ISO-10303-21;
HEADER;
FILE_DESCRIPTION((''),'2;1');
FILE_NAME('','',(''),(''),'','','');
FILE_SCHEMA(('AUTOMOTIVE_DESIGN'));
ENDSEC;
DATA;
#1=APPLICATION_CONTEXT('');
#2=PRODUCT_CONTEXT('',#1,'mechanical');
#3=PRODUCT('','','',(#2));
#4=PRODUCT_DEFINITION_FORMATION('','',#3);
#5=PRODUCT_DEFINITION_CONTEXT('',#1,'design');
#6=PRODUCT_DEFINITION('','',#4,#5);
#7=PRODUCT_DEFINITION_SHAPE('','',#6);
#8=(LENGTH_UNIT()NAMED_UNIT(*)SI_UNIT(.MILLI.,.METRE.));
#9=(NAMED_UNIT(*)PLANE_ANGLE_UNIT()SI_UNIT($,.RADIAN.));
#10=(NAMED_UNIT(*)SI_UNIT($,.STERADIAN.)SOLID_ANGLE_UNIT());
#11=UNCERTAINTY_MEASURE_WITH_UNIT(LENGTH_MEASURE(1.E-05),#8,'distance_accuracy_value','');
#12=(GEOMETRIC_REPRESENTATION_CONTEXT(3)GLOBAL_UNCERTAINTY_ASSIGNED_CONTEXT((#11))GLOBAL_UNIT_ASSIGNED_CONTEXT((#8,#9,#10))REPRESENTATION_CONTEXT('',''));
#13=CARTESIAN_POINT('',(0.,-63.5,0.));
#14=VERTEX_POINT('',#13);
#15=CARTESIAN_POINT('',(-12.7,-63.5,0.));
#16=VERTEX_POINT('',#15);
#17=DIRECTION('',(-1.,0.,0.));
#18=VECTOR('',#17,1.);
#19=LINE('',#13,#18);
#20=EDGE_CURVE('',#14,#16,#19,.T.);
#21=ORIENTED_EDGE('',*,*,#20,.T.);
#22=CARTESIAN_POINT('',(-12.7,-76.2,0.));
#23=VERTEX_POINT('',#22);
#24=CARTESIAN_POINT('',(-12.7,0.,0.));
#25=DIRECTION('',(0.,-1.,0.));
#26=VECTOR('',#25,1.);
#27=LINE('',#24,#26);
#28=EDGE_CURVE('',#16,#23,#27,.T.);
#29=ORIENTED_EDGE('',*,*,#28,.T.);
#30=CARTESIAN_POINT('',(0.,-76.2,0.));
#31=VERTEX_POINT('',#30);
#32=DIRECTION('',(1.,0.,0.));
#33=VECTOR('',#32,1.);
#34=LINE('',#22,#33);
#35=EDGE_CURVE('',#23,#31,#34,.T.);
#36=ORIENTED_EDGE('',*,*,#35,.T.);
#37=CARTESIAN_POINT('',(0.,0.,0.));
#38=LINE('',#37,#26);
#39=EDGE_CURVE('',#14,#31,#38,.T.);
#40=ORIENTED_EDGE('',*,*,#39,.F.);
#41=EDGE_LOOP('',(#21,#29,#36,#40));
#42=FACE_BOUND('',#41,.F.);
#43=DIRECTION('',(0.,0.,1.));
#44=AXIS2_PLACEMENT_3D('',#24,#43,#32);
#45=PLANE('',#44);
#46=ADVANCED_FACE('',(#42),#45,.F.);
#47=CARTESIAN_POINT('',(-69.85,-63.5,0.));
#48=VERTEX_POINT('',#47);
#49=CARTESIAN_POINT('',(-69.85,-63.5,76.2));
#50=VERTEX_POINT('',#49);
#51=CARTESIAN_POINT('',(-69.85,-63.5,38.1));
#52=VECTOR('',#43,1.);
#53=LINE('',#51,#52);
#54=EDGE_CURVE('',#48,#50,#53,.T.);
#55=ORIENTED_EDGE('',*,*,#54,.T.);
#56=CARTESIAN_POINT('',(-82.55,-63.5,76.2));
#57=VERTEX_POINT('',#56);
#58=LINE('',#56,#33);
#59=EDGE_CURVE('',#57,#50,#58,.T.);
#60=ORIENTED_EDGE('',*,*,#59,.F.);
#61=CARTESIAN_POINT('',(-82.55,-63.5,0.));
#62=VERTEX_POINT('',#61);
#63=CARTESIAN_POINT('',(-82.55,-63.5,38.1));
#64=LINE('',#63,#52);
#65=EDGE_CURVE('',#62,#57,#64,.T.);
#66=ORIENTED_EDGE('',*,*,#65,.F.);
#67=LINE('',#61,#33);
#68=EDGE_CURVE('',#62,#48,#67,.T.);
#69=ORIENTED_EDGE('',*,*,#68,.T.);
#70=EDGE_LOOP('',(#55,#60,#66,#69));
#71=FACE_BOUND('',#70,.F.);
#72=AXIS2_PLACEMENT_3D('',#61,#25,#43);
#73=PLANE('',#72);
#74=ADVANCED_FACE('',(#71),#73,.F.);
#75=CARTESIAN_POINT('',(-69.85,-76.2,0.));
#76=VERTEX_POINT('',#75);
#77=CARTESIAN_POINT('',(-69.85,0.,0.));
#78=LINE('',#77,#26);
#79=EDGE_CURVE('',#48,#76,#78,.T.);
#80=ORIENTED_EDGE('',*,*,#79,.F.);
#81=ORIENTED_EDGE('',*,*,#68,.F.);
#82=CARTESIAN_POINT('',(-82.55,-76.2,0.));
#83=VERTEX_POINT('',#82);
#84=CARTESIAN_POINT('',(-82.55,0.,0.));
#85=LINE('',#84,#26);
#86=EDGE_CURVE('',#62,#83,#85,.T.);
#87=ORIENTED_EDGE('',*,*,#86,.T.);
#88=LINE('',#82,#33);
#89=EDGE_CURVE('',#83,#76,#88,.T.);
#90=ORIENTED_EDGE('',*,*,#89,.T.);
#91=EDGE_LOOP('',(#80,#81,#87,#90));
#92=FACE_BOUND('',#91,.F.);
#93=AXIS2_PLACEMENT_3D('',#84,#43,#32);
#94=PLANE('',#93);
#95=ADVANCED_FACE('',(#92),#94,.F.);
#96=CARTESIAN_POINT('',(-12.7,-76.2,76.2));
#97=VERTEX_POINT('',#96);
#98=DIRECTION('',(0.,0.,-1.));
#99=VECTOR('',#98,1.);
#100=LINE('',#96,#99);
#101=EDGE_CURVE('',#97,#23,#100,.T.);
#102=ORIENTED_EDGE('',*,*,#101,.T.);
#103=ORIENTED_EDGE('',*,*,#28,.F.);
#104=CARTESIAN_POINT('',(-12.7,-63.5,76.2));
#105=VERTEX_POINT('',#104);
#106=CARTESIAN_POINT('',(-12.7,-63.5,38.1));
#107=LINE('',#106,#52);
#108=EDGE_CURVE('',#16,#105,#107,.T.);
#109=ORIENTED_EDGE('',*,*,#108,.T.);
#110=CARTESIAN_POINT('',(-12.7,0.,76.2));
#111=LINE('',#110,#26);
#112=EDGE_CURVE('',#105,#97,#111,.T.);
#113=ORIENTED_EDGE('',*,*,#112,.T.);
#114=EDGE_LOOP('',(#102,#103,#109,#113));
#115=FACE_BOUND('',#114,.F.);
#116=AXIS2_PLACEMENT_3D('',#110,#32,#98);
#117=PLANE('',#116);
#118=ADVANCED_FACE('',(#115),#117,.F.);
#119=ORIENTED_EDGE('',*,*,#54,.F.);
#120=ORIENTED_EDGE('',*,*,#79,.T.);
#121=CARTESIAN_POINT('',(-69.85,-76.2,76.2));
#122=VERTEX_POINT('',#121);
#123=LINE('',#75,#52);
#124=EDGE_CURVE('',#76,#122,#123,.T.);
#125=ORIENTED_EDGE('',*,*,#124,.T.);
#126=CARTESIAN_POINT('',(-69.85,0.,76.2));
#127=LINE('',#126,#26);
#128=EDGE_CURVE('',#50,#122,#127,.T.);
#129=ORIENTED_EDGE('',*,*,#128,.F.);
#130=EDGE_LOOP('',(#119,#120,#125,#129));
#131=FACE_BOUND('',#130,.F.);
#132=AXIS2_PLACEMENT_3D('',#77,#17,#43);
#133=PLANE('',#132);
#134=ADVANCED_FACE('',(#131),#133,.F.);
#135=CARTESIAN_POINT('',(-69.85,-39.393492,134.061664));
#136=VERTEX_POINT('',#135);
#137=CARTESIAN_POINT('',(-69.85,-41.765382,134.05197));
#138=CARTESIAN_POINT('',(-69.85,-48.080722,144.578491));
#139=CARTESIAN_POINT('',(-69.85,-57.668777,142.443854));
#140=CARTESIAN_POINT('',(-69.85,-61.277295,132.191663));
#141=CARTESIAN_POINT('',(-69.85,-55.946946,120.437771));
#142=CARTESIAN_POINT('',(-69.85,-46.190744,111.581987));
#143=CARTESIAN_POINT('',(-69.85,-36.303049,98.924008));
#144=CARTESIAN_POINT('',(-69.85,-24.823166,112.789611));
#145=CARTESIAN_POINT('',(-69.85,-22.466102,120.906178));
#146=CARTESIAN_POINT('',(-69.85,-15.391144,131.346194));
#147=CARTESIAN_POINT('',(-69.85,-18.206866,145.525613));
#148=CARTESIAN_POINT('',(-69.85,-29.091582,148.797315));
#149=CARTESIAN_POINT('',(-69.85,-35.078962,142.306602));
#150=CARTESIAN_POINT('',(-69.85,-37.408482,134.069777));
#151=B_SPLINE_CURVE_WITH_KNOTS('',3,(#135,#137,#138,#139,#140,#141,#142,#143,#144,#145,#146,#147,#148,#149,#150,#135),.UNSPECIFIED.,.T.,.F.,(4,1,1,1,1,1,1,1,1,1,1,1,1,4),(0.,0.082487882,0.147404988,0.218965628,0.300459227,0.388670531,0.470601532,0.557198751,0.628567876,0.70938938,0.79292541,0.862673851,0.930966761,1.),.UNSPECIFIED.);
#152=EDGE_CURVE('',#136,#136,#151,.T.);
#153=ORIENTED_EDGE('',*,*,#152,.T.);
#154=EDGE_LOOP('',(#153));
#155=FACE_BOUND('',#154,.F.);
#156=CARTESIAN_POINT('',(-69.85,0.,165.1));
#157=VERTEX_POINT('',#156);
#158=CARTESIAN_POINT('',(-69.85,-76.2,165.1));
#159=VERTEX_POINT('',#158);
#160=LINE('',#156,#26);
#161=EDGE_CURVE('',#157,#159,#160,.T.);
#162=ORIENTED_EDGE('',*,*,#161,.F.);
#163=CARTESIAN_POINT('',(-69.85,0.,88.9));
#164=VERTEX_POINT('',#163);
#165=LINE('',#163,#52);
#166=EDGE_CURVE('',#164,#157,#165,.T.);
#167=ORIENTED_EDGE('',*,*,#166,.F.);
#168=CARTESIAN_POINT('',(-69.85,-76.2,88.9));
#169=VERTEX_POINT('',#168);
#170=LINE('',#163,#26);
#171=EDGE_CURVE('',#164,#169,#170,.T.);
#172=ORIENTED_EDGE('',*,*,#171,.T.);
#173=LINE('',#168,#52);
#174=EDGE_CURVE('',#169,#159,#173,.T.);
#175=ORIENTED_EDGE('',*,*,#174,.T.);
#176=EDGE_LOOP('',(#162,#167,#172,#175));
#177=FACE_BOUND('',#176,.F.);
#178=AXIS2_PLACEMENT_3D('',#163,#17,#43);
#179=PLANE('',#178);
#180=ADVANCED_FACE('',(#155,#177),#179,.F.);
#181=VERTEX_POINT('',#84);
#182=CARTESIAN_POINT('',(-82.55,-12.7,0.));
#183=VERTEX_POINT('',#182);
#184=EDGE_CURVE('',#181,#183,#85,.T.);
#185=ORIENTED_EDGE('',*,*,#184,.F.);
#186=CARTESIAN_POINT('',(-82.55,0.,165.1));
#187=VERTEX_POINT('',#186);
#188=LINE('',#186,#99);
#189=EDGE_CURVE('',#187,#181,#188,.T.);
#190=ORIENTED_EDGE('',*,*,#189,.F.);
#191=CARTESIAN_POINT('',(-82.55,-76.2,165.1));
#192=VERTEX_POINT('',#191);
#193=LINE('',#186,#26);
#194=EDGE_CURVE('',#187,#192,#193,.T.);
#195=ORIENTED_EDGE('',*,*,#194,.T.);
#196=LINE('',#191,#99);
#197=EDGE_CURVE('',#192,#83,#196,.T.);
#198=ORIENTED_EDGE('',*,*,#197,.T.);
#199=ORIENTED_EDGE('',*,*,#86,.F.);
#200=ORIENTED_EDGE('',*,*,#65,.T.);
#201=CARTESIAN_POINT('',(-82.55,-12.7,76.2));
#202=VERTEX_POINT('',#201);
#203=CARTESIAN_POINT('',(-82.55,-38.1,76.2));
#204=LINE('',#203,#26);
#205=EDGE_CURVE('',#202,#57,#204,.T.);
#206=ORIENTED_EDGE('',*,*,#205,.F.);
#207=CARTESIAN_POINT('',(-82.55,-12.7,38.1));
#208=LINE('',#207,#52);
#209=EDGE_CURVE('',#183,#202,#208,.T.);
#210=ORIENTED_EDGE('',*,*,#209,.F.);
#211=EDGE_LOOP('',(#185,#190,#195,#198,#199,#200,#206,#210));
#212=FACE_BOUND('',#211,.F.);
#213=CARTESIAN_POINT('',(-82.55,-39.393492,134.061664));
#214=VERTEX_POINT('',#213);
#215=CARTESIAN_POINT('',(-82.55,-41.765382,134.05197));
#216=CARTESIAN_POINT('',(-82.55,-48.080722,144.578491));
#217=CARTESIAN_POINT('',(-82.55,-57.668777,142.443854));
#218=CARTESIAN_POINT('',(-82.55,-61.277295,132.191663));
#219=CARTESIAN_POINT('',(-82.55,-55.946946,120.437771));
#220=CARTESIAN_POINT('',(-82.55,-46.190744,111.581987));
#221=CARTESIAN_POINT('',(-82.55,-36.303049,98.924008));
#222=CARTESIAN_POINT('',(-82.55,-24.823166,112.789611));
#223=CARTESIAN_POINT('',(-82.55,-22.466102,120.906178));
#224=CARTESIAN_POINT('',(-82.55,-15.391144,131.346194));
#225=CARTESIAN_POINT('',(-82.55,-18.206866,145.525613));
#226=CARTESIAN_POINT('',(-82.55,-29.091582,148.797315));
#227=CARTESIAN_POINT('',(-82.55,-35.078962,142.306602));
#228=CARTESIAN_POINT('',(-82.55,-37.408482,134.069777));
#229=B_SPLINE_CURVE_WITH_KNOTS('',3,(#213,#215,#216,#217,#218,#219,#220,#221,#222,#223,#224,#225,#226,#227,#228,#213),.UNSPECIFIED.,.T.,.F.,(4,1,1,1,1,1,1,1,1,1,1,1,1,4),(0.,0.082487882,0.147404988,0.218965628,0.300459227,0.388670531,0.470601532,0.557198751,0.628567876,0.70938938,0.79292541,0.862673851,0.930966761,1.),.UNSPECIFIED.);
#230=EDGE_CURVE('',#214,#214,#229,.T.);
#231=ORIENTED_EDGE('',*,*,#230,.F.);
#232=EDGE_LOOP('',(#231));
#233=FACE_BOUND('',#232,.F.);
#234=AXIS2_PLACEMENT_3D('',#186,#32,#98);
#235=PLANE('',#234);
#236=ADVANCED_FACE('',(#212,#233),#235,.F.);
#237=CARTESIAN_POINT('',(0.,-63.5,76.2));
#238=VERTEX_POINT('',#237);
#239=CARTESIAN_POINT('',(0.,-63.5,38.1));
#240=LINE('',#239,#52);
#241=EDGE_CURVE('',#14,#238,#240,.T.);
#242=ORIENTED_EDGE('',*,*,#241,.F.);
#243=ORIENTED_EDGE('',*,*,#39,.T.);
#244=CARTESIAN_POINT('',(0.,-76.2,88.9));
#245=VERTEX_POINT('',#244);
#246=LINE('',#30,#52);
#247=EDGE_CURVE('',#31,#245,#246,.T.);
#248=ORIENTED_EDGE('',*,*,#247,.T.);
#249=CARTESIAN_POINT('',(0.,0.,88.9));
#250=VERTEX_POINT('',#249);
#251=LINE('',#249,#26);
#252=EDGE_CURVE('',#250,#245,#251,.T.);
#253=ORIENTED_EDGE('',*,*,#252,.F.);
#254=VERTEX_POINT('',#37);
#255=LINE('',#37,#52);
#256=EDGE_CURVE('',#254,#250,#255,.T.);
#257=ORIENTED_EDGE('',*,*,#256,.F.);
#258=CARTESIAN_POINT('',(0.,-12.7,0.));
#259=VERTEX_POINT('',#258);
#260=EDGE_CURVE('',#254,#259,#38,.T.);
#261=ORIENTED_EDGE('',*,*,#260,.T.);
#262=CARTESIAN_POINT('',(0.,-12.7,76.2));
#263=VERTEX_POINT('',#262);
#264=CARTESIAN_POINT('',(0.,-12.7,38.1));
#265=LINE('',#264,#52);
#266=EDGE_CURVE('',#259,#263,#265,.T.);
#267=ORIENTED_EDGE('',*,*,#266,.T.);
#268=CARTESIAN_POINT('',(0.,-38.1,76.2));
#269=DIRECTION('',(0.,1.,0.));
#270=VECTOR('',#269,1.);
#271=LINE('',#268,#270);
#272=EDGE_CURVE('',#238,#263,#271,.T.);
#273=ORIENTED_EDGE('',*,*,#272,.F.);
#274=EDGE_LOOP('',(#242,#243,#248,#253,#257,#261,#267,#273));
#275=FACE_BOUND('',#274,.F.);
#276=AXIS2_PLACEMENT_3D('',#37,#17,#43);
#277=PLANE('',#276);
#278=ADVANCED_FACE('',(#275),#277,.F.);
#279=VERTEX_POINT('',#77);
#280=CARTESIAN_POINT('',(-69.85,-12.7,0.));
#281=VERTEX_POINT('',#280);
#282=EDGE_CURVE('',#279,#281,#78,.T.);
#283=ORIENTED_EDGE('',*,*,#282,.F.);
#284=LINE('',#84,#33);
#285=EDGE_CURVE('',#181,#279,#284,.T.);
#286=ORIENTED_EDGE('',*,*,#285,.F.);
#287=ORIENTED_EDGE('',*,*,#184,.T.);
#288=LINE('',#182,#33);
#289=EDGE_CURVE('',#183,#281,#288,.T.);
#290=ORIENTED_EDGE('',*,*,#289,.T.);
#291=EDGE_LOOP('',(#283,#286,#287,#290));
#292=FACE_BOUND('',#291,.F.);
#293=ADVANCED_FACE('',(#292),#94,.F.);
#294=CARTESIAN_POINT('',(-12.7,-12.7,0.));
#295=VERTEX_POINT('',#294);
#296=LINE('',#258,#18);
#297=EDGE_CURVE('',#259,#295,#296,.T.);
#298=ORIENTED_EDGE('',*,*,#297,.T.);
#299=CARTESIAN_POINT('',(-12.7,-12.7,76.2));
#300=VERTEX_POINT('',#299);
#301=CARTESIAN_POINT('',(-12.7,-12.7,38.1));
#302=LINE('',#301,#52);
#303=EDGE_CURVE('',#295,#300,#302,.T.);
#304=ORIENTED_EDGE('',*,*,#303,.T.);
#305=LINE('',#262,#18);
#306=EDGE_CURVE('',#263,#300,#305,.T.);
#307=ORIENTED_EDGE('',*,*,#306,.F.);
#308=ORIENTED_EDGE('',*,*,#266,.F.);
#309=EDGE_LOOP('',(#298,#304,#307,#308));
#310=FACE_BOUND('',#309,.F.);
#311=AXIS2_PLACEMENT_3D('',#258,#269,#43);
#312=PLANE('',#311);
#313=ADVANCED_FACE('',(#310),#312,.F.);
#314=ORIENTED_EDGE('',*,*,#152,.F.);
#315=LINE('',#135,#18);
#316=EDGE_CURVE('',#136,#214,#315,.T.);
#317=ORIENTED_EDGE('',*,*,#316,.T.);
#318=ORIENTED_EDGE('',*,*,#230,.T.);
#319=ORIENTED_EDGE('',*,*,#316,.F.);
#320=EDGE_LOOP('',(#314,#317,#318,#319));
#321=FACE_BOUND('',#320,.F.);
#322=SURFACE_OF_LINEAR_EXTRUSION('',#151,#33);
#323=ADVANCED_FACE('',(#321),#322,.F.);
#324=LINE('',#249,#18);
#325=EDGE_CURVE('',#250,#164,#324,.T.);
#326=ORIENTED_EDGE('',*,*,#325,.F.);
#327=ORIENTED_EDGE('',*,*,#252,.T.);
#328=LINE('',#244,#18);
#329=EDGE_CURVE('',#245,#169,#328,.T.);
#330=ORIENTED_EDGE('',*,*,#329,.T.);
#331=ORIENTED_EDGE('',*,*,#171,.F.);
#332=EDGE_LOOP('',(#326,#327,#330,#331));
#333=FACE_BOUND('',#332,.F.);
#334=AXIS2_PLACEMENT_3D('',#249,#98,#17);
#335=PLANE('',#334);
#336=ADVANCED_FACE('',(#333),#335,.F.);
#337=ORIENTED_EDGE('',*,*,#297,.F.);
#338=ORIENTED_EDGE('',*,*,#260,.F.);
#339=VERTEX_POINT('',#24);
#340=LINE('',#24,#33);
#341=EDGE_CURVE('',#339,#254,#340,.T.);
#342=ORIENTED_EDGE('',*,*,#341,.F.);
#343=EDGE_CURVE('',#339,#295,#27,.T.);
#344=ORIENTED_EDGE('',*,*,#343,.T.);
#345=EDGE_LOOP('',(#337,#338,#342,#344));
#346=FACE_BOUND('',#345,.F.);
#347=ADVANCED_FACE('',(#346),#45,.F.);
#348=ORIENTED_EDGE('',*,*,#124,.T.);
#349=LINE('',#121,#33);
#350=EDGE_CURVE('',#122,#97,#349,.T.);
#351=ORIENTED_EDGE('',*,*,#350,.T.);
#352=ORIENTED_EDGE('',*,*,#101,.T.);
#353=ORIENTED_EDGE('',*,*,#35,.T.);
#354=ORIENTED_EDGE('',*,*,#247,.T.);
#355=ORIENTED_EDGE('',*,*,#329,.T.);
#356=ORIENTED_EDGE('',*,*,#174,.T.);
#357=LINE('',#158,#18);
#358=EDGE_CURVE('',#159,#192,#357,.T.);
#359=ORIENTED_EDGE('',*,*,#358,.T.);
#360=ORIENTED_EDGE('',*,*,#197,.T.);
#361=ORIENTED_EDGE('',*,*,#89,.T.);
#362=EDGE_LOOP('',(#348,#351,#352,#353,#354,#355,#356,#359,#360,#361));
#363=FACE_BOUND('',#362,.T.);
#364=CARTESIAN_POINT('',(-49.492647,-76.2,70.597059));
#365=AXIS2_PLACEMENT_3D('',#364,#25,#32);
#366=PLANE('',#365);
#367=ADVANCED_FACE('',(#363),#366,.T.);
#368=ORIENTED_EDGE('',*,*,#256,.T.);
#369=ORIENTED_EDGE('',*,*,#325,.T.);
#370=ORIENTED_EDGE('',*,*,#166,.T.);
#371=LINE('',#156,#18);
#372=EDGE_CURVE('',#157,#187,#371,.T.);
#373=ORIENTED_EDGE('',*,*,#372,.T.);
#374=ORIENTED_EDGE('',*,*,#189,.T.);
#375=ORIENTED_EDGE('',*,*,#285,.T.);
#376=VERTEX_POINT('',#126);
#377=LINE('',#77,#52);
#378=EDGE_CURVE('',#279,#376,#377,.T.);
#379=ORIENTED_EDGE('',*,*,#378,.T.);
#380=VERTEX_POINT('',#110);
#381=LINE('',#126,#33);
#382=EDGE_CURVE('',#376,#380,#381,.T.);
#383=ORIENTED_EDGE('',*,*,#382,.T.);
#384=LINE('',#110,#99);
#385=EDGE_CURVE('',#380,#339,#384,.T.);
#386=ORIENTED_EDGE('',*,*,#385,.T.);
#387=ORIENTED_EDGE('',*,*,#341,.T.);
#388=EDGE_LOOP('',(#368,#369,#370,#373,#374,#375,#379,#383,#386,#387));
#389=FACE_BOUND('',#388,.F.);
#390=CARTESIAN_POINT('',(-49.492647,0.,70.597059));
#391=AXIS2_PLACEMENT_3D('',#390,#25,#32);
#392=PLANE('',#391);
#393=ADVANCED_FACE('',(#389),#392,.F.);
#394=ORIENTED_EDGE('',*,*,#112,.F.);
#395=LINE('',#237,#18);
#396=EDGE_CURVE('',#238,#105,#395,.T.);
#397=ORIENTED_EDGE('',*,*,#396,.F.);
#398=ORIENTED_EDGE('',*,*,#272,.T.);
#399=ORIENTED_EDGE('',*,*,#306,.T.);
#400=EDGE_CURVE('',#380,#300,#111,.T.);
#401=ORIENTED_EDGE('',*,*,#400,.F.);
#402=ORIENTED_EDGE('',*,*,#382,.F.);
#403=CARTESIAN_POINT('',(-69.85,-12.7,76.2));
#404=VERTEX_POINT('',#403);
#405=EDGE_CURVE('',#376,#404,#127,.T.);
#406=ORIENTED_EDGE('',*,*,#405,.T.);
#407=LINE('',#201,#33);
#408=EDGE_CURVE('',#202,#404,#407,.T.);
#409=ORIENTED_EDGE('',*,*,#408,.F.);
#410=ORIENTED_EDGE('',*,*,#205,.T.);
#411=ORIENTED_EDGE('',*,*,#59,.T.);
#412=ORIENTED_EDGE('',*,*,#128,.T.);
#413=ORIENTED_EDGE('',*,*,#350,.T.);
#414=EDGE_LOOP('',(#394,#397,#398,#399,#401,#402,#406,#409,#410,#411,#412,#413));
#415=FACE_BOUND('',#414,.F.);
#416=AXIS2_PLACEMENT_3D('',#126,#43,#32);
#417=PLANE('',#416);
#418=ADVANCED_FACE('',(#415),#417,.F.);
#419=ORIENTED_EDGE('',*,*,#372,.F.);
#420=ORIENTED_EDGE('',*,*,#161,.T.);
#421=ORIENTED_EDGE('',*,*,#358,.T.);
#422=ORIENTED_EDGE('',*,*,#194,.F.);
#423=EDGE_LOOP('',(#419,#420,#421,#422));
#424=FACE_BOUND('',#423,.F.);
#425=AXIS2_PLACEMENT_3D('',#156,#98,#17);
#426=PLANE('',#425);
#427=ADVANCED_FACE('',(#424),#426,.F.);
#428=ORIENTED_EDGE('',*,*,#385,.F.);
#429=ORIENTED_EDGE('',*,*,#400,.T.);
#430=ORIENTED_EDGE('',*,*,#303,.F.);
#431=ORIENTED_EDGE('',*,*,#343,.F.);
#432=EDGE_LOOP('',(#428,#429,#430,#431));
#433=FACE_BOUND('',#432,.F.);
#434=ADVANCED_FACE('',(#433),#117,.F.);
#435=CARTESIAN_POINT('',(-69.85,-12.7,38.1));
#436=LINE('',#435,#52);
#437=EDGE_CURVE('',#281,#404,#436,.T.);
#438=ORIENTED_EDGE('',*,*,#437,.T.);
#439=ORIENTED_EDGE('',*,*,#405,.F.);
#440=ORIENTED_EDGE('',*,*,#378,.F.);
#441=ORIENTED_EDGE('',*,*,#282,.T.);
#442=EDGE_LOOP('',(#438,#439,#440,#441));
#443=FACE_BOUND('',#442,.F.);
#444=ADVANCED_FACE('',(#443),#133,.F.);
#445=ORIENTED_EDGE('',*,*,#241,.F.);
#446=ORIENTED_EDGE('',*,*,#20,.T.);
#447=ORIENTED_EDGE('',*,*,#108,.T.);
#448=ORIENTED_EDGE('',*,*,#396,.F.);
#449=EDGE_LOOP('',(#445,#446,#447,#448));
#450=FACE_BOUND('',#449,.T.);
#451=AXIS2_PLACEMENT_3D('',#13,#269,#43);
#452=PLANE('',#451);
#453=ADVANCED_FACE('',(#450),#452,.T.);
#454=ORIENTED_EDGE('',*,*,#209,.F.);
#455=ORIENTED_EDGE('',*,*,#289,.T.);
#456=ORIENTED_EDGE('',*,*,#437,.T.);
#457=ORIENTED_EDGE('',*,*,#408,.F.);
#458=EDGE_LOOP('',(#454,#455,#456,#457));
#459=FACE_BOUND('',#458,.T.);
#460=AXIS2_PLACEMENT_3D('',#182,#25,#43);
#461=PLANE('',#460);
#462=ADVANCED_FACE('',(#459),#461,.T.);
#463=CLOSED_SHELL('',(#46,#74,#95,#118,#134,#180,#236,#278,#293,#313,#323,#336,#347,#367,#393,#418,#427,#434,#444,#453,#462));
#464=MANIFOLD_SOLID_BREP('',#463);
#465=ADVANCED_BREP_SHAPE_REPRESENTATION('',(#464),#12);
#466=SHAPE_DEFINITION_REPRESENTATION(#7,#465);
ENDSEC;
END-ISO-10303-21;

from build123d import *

# Parameters (mm, degrees)
F1_DEPTH = 76.2
F3_DEPTH = 12.7
F4_W     = 50.8
F4_H     = 76.2
F5_DEPTH = 12.7
F6_W     = 50.8
F6_H     = 76.2
F7_DEPTH = 12.7


with BuildPart() as f1:
    # F0 (on Front) → F1 (new body)
    with BuildSketch(Plane.XZ):
        Polygon((-12.7, 0), (0, 0), (0, 88.9), (-69.85, 88.9), (-69.85, 165.1), (-82.55, 165.1), (-82.55, 0), (-69.85, 0), (-69.85, 76.2), (-12.7, 76.2), align=None)
    extrude(amount=F1_DEPTH)

    # F2 (on face) → F3 (cut)
    with BuildSketch(Plane.YZ.offset(-69.85)):
        with BuildLine():
            add(Edge.make_bspline(
                [(-39.393492043, 134.0616643429), (-41.7653817973, 134.0519704591), (-48.0807223106, 144.5784906297), (-57.6687769822, 142.4438535389), (-61.2772946483, 132.1916628552), (-55.946945606, 120.4377708591), (-46.1907438844, 111.5819871786), (-36.3030491034, 98.9240075783), (-24.8231657039, 112.7896108933), (-22.4661020374, 120.9061781194), (-15.391144399, 131.3461939587), (-18.2068658762, 145.5256129763), (-29.0915819632, 148.7973145161), (-35.0789621304, 142.3066021107), (-37.4084824999, 134.069777052), (-39.393492043, 134.0616643429)],
                knots=[0, 0, 0, 0, 0.0824878816, 0.1474049882, 0.218965628, 0.3004592274, 0.388670531, 0.470601532, 0.5571987511, 0.6285678759, 0.70938938, 0.7929254096, 0.8626738507, 0.9309667611, 1, 1, 1, 1], degree=3))
        make_face()
    extrude(amount=-F3_DEPTH, mode=Mode.SUBTRACT)

    # F4 (on face) → F5 (cut)
    with BuildSketch(Plane.YZ):
        with Locations((-38.1, 38.1)):
            Rectangle(F4_W, F4_H)
    extrude(amount=-F5_DEPTH, mode=Mode.SUBTRACT)

    # F6 (on face) → F7 (cut)
    with BuildSketch(Plane(origin=(-82.55, 0, 0), x_dir=(0, -1, 0), z_dir=(-1, 0, 0))):
        with Locations((38.1, 38.1)):
            Rectangle(F6_W, F6_H)
    extrude(amount=-F7_DEPTH, mode=Mode.SUBTRACT)


solid = f1.part
